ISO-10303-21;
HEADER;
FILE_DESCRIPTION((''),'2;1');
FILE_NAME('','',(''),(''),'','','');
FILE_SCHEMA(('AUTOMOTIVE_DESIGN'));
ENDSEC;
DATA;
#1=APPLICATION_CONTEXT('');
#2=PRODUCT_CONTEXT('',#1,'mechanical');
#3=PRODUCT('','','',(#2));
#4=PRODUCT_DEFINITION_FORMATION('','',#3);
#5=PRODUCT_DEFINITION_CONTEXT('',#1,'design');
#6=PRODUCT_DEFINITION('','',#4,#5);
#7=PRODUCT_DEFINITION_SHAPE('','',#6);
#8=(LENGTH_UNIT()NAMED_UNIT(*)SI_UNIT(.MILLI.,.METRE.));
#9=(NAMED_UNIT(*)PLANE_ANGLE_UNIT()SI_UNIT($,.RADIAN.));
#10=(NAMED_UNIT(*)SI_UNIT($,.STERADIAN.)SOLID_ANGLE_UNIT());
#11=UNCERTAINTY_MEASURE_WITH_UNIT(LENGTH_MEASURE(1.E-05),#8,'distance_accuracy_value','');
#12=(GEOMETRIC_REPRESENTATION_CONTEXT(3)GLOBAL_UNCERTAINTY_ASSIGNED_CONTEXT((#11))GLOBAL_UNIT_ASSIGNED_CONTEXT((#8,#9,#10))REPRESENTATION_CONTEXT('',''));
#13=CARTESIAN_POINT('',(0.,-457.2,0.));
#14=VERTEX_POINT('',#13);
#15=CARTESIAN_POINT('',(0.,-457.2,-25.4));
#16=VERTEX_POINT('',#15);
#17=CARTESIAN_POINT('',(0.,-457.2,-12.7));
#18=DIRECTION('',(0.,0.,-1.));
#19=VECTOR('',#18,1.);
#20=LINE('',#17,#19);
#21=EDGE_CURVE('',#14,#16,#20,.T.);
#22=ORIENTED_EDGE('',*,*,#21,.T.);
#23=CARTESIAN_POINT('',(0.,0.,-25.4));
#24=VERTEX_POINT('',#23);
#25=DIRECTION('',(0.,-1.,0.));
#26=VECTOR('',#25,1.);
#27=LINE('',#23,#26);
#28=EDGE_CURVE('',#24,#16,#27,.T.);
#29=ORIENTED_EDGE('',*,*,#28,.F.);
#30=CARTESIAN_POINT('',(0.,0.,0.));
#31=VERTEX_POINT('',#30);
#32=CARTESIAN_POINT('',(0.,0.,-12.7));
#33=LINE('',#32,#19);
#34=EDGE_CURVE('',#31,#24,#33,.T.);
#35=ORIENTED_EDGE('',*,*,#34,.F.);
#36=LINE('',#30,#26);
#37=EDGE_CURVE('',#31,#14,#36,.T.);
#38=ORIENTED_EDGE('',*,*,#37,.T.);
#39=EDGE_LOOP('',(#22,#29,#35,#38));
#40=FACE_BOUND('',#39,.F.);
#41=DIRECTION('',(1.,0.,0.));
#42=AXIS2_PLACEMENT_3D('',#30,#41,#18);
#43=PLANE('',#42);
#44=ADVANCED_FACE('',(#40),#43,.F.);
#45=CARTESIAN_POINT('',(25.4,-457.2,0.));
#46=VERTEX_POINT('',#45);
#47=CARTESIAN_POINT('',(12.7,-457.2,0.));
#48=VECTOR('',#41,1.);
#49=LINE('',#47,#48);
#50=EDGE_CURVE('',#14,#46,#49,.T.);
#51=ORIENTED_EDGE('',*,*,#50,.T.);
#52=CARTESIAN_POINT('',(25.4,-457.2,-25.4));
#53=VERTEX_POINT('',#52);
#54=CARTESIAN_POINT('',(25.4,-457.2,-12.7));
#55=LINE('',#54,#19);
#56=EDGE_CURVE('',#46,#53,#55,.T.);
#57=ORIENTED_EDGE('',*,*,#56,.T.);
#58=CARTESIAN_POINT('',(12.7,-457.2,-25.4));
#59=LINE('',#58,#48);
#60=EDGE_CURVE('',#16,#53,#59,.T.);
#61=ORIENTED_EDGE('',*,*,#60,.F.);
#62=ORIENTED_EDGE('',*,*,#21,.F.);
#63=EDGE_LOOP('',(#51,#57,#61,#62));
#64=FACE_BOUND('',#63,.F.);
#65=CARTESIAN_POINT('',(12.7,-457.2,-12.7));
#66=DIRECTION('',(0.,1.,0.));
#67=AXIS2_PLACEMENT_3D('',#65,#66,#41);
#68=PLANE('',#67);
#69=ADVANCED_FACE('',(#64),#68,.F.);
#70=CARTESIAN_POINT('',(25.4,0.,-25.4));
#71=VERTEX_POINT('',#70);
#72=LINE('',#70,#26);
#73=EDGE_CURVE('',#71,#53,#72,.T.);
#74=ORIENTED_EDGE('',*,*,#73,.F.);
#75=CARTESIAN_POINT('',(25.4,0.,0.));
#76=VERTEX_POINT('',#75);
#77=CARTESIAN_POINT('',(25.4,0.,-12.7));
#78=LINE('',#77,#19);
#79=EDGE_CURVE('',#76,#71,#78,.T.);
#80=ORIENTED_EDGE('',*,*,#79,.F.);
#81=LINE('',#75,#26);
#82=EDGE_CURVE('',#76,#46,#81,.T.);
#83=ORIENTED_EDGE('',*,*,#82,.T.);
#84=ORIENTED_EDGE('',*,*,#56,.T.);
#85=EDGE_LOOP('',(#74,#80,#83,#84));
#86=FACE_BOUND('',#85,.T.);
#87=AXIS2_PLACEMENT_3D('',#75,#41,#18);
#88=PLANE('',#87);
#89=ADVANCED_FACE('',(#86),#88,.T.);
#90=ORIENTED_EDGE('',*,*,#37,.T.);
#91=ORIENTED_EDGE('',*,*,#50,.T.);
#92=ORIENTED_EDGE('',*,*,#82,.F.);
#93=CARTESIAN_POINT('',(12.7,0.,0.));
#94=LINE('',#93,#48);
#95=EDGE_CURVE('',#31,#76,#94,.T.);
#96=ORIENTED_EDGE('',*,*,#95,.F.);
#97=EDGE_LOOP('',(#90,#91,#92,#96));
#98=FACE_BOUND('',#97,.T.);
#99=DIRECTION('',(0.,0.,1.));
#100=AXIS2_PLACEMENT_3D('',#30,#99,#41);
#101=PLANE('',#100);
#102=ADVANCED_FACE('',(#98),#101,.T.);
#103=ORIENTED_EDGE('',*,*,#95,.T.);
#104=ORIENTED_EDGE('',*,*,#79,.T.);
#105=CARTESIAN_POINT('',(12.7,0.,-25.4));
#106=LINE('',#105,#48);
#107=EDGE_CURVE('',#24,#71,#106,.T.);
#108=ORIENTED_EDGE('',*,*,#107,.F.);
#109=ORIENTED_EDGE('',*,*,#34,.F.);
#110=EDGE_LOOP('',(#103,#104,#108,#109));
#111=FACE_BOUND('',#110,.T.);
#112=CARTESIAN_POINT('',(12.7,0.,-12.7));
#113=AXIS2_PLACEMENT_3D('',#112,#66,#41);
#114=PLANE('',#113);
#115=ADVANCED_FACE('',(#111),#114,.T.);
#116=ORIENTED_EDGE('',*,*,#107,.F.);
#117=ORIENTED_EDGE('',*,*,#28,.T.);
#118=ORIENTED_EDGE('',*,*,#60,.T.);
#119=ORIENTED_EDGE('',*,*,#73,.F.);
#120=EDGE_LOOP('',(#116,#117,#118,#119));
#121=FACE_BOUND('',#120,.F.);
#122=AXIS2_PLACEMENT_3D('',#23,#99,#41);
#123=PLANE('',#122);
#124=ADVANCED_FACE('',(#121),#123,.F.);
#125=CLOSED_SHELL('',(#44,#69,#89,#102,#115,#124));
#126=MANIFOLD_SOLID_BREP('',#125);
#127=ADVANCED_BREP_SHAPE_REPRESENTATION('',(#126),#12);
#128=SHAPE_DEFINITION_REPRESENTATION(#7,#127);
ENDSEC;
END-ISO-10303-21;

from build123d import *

# Parameters (mm, degrees)
SKETCH1_W           = 25.4
SKETCH1_H           = 25.4
BOSS_EXTRUDE1_DEPTH = 457.2


with BuildPart() as part:
    # Sketch1 → Boss-Extrude1 (new body)
    with BuildSketch(Plane(origin=(0, 0, 0), x_dir=(1, 0, 0), z_dir=(0, 1, 0))):
        with Locations((12.7, 12.7)):
            Rectangle(SKETCH1_W, SKETCH1_H)
    extrude(amount=-BOSS_EXTRUDE1_DEPTH)


solid = part.part
